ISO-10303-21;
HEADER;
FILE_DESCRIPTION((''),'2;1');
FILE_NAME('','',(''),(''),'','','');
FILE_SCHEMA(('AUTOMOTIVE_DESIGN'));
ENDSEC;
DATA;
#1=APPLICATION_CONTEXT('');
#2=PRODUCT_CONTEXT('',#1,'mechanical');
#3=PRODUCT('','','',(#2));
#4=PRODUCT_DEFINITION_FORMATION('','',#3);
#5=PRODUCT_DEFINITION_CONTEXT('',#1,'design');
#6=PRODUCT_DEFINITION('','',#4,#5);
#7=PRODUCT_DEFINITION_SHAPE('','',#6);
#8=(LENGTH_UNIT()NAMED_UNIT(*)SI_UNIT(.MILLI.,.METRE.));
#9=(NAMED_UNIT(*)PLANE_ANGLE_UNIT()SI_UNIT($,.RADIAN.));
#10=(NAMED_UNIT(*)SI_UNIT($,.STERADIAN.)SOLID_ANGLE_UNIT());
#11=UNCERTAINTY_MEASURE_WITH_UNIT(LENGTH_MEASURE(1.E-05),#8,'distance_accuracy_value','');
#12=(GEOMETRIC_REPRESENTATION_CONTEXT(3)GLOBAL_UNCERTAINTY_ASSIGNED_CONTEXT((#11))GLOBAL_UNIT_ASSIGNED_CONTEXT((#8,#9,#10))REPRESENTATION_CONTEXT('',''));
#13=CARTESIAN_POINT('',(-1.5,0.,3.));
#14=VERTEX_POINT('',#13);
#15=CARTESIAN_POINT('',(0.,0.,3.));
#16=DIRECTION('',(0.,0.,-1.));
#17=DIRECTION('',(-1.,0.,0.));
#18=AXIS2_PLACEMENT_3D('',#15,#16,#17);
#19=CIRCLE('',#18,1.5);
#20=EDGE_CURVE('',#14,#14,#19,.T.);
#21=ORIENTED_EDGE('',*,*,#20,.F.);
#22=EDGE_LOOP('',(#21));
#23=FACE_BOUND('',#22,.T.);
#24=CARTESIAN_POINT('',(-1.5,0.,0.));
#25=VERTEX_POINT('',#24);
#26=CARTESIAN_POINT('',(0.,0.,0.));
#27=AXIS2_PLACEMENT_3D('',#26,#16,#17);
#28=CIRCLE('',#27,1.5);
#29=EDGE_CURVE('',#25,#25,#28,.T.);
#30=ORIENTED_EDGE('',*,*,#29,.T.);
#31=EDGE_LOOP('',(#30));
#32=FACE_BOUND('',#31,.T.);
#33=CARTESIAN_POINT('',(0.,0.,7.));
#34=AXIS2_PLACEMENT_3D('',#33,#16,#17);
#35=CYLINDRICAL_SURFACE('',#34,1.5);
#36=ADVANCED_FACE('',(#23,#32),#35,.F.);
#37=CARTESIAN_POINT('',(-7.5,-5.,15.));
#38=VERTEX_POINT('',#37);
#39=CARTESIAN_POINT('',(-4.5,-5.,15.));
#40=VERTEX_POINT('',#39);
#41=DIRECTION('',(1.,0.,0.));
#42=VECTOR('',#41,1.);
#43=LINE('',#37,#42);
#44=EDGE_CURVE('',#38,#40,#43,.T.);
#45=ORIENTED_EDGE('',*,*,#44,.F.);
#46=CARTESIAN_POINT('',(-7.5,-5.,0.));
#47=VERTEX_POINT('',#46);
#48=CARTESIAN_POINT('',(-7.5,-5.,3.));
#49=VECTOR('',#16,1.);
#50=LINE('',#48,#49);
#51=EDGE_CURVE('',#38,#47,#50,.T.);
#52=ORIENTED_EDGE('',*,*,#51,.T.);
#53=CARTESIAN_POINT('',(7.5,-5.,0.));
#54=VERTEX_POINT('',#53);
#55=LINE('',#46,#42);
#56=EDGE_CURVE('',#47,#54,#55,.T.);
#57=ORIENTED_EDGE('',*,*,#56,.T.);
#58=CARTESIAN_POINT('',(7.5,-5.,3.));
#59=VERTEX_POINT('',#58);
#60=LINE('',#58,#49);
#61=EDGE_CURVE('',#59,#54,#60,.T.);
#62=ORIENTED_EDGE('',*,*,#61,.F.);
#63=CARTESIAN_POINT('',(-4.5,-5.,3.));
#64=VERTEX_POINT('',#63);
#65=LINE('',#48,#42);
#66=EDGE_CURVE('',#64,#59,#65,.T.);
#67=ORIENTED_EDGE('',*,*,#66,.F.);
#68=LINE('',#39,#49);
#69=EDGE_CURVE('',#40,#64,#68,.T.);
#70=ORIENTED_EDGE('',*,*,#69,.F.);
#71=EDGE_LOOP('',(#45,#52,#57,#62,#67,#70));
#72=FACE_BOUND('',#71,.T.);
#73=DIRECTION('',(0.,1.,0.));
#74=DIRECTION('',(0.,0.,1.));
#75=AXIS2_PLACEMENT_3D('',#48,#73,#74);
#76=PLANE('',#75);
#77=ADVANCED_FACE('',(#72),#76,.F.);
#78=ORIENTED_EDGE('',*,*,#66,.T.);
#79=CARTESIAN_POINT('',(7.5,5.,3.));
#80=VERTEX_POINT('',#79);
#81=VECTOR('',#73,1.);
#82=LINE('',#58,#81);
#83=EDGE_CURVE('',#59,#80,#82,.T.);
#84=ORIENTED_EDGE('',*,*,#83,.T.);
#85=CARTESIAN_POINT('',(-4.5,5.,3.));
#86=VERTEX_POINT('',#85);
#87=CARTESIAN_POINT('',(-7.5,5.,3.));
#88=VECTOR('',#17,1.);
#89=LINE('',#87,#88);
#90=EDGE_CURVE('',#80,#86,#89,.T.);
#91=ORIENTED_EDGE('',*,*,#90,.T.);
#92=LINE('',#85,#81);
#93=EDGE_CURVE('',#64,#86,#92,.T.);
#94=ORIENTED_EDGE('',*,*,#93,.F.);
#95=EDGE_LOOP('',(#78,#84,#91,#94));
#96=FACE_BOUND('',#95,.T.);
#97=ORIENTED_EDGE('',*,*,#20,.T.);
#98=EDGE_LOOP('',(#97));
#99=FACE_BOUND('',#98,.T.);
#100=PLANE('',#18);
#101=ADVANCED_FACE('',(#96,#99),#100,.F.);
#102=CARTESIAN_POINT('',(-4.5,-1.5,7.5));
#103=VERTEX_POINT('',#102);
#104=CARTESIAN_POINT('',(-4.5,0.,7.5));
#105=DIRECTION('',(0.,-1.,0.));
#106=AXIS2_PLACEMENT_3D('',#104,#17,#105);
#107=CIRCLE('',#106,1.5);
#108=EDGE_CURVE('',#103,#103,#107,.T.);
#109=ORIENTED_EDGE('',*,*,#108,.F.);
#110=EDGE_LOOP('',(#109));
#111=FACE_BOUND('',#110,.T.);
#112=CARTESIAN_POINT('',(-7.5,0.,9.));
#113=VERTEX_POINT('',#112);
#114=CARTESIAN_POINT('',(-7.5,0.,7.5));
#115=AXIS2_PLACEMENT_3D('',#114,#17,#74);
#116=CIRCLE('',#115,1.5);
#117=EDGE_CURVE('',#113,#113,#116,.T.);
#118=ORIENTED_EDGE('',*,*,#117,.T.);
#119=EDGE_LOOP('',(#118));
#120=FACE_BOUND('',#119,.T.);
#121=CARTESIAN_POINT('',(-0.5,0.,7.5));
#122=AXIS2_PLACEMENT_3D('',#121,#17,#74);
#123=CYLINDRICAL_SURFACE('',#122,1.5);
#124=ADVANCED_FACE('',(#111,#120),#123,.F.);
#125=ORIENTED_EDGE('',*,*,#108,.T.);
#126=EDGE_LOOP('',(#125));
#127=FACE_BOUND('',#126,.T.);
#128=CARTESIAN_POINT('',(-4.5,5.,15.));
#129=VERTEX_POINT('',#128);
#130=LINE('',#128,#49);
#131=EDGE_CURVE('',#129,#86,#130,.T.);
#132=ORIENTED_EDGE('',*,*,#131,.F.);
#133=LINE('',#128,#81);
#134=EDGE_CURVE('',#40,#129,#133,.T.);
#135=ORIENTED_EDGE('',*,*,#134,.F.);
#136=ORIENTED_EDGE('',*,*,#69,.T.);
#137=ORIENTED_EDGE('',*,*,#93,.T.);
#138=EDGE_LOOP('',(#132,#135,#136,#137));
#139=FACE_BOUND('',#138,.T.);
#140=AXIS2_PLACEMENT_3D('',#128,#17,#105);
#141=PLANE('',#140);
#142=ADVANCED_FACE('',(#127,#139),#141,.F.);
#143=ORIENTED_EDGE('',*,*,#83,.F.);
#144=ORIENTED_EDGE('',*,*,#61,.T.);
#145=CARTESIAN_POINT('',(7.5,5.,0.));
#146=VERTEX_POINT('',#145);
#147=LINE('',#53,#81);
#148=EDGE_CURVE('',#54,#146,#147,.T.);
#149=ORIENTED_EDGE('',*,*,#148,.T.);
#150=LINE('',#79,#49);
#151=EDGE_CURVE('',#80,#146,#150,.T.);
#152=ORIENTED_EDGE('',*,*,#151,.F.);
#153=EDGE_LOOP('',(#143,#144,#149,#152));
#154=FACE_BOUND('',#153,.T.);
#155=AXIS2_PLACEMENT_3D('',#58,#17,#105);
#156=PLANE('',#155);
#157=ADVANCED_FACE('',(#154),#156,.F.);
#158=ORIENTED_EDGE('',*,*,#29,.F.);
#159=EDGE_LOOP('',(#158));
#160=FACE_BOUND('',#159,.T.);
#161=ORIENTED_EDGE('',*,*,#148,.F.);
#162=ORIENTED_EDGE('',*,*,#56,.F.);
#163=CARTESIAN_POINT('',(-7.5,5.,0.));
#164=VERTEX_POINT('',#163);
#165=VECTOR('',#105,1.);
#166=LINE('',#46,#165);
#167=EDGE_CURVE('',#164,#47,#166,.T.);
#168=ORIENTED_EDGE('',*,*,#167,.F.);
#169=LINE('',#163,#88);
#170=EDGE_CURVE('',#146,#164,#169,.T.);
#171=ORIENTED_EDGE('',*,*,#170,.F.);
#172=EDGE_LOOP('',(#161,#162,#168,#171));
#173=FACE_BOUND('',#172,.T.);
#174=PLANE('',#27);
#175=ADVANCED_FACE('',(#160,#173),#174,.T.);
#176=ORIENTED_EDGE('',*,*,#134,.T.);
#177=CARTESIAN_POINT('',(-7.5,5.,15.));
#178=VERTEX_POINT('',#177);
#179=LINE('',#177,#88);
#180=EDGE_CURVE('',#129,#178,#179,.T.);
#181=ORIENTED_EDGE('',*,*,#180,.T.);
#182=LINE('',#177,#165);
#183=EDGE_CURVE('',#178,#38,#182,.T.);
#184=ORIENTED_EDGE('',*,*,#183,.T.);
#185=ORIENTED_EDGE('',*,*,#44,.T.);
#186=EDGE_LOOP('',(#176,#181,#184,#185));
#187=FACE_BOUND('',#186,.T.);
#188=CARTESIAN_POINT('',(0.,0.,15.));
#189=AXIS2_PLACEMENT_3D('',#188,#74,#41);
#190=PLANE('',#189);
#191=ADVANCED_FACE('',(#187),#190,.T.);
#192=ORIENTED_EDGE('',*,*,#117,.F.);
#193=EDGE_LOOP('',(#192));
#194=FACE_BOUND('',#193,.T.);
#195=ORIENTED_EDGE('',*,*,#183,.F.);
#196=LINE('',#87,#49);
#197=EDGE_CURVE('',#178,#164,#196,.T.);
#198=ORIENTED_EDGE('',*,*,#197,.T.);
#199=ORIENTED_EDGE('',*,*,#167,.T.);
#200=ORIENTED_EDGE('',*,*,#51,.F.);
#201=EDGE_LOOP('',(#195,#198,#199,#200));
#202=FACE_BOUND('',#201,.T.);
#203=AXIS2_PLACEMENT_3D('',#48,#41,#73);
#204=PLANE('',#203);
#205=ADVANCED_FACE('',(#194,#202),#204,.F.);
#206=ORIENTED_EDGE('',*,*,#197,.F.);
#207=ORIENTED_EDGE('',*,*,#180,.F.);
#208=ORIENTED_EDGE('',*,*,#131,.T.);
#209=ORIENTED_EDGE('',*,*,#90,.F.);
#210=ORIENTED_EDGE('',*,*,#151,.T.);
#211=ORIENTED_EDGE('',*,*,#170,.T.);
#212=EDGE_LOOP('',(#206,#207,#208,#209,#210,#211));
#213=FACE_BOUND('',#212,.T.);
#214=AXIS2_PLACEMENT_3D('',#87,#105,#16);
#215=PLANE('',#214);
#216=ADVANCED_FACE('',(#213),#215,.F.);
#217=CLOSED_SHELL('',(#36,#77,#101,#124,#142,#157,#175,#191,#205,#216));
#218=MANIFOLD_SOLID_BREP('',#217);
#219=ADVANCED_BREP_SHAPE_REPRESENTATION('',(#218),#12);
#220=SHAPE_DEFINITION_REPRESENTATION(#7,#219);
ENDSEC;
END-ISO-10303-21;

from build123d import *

# Parameters (mm, degrees)
SKETCH_1_W          = 15
SKETCH_1_H          = 10
EXTRUDE_1_DEPTH     = 3
SKETCH_2_W          = 3
SKETCH_2_H          = 10
EXTRUDE_2_DEPTH     = 12
SKETCH_3_R          = 1.5
CUT_EXTRUDE_1_DEPTH = 7
SKETCH_4_R          = 1.5
CUT_EXTRUDE_2_DEPTH = 7


with BuildPart() as part:
    # 草图1 → 凸台-拉伸1 (new body)
    with BuildSketch(Plane.XY):
        Rectangle(SKETCH_1_W, SKETCH_1_H)
    extrude(amount=EXTRUDE_1_DEPTH)

    # 草图2 → 凸台-拉伸2 (add)
    with BuildSketch(Plane.XY.offset(3)):
        with Locations((-6, 0)):
            Rectangle(SKETCH_2_W, SKETCH_2_H)
    extrude(amount=EXTRUDE_2_DEPTH)

    # 草图3 → 切除-拉伸1 (cut)
    with BuildSketch(Plane(origin=(0, 0, 0), x_dir=(-1, 0, 0), z_dir=(0, 0, -1))):
        Circle(SKETCH_3_R)
    extrude(amount=-CUT_EXTRUDE_1_DEPTH, mode=Mode.SUBTRACT)

    # 草图4 → 切除-拉伸2 (cut)
    with BuildSketch(Plane.ZY.offset(7.5)):
        with Locations((7.5, 0)):
            Circle(SKETCH_4_R)
    extrude(amount=-CUT_EXTRUDE_2_DEPTH, mode=Mode.SUBTRACT)


solid = part.part
